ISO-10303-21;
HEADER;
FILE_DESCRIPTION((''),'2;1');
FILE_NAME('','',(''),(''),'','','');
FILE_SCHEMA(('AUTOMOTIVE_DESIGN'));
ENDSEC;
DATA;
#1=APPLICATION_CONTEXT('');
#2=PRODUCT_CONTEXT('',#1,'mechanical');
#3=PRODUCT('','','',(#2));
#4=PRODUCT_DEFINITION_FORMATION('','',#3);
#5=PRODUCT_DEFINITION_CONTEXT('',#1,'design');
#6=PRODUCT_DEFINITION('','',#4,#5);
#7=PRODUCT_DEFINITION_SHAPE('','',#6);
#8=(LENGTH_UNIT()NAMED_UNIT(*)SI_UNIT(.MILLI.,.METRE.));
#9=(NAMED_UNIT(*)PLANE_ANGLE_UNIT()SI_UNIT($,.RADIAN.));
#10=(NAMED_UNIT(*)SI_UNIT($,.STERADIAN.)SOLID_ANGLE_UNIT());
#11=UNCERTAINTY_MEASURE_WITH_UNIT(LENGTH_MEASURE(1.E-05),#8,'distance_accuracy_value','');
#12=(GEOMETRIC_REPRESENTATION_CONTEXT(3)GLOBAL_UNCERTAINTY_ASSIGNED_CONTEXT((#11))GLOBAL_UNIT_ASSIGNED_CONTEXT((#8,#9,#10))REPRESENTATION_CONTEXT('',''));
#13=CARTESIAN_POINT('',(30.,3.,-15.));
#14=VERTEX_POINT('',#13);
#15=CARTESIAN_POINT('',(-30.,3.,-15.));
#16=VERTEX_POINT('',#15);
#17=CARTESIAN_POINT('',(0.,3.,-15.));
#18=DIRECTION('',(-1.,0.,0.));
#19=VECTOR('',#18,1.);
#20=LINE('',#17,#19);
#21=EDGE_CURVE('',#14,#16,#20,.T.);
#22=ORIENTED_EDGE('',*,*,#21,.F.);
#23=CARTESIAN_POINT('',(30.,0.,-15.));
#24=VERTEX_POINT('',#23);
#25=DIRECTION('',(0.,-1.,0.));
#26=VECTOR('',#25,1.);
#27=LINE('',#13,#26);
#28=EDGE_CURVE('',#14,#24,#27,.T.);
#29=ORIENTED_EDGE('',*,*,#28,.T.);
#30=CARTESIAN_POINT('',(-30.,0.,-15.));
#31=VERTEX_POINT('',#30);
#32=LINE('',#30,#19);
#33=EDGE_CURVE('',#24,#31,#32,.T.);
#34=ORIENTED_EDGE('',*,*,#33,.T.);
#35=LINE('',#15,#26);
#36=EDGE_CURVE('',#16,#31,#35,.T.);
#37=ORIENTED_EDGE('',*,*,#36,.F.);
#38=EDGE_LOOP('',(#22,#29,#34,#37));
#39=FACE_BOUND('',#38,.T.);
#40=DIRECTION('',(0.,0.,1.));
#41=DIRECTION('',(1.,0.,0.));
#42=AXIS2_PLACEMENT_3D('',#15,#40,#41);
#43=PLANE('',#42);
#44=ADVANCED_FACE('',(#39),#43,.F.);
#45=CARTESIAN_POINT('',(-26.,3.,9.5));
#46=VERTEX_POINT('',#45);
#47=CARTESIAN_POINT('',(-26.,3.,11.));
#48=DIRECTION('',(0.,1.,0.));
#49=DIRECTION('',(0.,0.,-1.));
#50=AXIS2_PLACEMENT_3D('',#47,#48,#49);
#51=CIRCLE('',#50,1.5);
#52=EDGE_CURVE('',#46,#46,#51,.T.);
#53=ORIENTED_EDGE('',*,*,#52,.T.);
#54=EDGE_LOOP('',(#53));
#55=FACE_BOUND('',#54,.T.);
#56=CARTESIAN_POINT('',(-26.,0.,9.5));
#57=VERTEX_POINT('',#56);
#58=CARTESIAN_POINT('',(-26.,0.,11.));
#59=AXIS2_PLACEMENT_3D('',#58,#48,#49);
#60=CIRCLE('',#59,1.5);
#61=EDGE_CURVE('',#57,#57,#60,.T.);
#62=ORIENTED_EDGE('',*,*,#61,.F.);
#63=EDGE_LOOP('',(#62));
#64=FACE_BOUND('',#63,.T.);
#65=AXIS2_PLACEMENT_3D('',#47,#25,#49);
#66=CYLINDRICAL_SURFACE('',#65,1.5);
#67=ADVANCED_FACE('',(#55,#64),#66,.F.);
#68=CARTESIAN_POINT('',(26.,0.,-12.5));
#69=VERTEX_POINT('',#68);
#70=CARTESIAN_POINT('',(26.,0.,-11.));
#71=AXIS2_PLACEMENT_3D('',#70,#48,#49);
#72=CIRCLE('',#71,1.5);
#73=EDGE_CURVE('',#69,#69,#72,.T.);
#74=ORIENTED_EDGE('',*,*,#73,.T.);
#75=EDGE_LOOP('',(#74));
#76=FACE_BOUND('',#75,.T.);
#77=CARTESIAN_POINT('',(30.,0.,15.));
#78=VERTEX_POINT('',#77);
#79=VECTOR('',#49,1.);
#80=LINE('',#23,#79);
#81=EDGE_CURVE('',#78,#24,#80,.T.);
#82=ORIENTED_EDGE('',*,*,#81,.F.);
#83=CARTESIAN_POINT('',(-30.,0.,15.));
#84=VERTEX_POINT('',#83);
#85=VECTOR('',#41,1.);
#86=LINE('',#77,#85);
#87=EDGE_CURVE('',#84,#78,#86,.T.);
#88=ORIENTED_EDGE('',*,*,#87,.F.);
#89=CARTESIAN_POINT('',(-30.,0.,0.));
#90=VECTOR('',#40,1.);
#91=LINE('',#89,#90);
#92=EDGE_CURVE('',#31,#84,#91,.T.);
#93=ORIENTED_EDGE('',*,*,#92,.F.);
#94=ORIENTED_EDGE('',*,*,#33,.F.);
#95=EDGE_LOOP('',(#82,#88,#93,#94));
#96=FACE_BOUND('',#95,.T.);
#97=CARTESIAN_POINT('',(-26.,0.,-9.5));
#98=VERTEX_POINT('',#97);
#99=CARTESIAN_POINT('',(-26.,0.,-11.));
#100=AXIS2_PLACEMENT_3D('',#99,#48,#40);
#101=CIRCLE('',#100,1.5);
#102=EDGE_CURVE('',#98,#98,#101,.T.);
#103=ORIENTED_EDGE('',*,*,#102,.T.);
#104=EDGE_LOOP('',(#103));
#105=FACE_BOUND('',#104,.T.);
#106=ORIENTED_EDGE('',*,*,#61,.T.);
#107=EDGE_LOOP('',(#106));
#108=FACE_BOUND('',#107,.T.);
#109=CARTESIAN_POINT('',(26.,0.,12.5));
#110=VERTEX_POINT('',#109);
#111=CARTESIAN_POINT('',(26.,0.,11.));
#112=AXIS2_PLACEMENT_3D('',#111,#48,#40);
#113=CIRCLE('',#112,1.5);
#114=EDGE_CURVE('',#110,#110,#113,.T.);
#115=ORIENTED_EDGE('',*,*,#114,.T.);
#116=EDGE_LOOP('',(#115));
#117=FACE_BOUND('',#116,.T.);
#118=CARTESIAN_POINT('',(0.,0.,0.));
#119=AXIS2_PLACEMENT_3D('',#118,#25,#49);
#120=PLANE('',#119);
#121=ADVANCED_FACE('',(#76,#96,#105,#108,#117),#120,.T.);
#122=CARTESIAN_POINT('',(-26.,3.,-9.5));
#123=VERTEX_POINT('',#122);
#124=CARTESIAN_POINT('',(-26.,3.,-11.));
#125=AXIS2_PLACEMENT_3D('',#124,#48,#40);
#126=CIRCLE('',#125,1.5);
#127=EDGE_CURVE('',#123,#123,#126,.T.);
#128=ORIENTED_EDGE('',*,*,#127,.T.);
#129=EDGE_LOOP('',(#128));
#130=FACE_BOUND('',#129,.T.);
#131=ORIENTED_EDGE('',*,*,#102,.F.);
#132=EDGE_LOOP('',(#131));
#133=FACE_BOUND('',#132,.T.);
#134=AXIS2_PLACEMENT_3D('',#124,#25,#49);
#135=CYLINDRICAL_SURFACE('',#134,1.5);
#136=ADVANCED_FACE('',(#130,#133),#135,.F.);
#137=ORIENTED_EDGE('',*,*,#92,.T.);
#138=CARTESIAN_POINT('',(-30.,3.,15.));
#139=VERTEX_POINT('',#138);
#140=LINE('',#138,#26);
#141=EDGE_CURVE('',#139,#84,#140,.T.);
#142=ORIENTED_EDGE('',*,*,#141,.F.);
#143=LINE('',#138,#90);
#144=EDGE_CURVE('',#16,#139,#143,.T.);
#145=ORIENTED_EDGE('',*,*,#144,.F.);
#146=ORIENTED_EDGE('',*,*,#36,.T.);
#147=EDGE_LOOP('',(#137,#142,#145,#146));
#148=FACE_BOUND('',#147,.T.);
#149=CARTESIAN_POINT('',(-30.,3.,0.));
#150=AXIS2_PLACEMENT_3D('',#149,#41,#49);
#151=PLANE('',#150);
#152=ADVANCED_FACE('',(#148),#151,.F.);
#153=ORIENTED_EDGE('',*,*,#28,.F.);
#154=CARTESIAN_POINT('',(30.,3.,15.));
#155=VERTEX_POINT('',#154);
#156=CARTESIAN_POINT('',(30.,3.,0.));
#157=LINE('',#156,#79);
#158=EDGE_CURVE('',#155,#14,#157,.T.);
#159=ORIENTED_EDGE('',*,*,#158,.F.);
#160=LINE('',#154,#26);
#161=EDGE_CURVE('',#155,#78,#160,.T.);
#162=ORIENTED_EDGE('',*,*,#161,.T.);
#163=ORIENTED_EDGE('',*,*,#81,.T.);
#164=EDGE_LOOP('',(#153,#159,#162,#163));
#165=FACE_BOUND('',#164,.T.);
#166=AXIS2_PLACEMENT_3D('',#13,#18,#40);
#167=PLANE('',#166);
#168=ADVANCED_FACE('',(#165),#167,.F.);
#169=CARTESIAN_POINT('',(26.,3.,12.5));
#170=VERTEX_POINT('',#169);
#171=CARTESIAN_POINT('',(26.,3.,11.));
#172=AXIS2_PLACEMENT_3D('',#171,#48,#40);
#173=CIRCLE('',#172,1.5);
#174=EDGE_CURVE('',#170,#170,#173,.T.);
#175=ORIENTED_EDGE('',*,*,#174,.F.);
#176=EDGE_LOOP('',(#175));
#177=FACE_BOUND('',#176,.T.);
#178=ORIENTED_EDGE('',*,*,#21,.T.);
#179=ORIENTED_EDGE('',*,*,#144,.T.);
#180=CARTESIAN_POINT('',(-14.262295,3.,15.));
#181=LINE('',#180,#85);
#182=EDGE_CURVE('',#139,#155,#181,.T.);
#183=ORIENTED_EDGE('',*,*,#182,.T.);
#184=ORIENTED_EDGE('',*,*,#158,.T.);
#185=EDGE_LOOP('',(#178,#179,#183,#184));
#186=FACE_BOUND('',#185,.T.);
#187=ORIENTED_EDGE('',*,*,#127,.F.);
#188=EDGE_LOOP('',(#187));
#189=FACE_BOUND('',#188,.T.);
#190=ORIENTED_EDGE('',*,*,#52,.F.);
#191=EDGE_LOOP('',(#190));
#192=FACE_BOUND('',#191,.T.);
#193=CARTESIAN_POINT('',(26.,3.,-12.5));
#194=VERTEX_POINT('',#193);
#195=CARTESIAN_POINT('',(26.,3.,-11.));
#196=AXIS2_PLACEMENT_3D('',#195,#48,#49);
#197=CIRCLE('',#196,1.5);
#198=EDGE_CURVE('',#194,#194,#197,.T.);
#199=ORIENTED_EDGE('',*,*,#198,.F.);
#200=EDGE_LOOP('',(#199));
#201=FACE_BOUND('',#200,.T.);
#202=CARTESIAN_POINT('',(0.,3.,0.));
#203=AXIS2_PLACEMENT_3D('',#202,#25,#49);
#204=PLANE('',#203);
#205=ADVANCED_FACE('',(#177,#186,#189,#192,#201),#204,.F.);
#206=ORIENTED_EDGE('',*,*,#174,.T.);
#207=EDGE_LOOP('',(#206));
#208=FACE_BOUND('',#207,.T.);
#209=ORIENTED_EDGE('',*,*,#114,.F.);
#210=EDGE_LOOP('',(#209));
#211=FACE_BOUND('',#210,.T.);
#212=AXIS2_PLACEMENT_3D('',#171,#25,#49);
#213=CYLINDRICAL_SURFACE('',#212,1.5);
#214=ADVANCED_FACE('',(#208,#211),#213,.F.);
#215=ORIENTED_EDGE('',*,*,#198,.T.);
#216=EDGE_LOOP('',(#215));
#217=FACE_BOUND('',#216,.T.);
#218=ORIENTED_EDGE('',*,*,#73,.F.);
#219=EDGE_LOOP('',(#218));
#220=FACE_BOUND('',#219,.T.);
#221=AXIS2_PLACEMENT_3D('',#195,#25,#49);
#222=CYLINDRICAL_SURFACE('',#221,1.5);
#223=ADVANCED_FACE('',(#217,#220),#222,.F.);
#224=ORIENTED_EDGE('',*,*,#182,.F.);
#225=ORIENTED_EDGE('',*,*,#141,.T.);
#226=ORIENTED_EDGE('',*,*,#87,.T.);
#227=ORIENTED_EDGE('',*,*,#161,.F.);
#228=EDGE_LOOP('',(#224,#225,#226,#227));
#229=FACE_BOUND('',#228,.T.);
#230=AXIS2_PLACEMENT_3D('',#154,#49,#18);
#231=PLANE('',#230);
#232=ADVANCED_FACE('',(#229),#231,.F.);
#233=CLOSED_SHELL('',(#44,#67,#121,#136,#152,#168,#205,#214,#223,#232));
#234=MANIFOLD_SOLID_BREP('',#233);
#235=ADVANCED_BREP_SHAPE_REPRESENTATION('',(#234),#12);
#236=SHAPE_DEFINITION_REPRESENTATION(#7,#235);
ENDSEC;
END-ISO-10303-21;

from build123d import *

# Parameters (mm, degrees)
CROQUIS1_R              = 1.5
SALIENTE_EXTRUIR1_DEPTH = 3


with BuildPart() as part:
    # Croquis1 → Saliente-Extruir1 (new body)
    with BuildSketch(Plane(origin=(0, 0, 0), x_dir=(1, 0, 0), z_dir=(0, 1, 0))):
        Polygon((-30, 0), (-30, 15), (0, 15), (30, 15), (30, 0), (30, -15), (-14.262295082, -15), (-30, -15), align=None)
        with Locations(Location((-26, 11, 0), (0, 0, 270))):
            Circle(CROQUIS1_R, mode=Mode.SUBTRACT)
        with Locations(Location((26, 11, 0), (0, 0, 90))):
            Circle(CROQUIS1_R, mode=Mode.SUBTRACT)
        with Locations(Location((26, -11, 0), (0, 0, 270))):
            Circle(CROQUIS1_R, mode=Mode.SUBTRACT)
        with Locations(Location((-26, -11, 0), (0, 0, 90))):
            Circle(CROQUIS1_R, mode=Mode.SUBTRACT)
    extrude(amount=SALIENTE_EXTRUIR1_DEPTH)


solid = part.part
